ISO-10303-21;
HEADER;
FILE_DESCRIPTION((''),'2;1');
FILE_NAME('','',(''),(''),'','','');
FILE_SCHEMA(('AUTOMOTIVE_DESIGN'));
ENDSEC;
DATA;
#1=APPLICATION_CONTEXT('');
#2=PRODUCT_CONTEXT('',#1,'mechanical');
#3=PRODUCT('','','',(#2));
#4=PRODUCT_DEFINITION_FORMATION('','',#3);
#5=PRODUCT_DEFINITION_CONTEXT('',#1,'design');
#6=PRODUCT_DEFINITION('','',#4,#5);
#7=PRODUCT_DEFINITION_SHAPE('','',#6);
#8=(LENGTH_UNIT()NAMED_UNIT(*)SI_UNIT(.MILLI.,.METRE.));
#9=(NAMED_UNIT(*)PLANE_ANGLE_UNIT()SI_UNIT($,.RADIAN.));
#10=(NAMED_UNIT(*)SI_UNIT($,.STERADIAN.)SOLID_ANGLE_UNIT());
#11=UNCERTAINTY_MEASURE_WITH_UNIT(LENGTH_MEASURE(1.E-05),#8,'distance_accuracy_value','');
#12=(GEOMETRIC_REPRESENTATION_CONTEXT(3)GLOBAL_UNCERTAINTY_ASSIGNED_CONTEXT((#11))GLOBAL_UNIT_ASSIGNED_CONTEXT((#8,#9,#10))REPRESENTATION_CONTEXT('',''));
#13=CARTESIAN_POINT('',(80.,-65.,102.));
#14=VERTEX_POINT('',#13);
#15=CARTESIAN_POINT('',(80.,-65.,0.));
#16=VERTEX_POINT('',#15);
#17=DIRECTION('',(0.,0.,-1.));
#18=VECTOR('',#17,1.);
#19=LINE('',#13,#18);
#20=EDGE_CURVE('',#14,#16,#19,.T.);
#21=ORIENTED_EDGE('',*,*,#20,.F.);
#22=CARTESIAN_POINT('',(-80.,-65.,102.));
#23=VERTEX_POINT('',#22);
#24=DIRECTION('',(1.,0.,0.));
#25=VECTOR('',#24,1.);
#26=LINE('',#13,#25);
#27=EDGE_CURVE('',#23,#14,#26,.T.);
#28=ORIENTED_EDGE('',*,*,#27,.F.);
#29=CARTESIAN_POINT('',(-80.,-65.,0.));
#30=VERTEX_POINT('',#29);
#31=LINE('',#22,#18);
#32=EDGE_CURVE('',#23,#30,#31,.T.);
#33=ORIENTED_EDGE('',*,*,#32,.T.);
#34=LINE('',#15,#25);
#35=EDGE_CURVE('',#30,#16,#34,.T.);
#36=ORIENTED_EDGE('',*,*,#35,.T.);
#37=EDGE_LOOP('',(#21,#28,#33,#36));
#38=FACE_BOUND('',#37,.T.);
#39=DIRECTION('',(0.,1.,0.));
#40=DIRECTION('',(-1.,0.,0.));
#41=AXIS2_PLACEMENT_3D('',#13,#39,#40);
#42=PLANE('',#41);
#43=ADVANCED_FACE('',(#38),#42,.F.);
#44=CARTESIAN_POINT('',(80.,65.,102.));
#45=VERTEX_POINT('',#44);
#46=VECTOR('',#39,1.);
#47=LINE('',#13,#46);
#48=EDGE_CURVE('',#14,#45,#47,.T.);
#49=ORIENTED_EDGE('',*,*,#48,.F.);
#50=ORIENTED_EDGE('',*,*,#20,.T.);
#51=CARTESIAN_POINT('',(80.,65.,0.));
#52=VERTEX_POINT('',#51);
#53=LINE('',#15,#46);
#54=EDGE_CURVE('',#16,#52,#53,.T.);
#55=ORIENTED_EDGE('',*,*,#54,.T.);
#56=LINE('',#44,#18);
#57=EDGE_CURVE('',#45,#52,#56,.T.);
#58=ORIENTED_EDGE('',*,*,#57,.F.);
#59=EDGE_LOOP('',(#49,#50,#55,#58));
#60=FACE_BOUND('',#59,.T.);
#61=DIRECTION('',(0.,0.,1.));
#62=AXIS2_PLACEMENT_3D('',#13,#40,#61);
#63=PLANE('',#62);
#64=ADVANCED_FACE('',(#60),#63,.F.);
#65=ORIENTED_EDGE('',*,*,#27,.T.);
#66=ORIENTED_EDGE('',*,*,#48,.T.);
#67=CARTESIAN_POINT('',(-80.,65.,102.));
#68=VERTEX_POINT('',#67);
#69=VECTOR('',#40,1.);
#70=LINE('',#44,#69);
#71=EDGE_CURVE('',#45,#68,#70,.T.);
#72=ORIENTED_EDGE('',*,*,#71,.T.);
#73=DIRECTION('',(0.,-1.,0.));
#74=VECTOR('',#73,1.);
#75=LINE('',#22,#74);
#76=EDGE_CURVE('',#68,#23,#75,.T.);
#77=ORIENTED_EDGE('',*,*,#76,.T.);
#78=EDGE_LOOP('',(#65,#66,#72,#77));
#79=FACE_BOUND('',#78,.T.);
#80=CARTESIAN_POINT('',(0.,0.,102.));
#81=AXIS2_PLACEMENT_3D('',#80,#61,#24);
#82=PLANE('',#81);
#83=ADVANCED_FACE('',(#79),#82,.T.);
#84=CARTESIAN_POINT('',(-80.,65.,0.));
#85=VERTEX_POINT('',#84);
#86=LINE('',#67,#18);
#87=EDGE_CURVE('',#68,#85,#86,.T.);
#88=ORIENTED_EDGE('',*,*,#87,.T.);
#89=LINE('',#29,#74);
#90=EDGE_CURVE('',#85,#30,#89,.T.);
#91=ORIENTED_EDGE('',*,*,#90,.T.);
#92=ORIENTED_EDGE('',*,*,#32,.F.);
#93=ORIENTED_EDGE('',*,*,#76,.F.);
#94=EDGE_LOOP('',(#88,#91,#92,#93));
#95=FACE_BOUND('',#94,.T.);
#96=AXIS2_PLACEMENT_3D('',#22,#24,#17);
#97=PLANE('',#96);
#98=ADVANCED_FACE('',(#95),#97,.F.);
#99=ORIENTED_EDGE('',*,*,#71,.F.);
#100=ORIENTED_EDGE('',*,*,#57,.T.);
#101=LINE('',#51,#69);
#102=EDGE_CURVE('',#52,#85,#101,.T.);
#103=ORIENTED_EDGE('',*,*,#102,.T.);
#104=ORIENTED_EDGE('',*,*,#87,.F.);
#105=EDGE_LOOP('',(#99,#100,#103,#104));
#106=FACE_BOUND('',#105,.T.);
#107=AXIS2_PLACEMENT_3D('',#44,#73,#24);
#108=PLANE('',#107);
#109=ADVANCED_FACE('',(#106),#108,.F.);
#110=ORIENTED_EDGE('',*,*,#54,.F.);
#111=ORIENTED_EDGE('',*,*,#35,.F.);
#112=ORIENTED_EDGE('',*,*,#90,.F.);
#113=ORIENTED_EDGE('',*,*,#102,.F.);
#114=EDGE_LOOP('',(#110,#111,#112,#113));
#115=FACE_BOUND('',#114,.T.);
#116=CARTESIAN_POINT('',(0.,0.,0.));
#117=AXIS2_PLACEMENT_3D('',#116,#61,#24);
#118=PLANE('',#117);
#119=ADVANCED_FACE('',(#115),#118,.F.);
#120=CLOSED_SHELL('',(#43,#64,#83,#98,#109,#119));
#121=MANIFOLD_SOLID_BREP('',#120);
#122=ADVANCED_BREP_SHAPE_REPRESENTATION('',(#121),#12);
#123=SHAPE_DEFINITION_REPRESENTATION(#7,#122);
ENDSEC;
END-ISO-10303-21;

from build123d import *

# Parameters (mm, degrees)
SKETCH1_W           = 160
SKETCH1_H           = 130
BOSS_EXTRUDE1_DEPTH = 102


with BuildPart() as part:
    # Sketch1 → Boss-Extrude1 (new body)
    with BuildSketch(Plane.XY):
        Rectangle(SKETCH1_W, SKETCH1_H)
    extrude(amount=BOSS_EXTRUDE1_DEPTH)


solid = part.part
